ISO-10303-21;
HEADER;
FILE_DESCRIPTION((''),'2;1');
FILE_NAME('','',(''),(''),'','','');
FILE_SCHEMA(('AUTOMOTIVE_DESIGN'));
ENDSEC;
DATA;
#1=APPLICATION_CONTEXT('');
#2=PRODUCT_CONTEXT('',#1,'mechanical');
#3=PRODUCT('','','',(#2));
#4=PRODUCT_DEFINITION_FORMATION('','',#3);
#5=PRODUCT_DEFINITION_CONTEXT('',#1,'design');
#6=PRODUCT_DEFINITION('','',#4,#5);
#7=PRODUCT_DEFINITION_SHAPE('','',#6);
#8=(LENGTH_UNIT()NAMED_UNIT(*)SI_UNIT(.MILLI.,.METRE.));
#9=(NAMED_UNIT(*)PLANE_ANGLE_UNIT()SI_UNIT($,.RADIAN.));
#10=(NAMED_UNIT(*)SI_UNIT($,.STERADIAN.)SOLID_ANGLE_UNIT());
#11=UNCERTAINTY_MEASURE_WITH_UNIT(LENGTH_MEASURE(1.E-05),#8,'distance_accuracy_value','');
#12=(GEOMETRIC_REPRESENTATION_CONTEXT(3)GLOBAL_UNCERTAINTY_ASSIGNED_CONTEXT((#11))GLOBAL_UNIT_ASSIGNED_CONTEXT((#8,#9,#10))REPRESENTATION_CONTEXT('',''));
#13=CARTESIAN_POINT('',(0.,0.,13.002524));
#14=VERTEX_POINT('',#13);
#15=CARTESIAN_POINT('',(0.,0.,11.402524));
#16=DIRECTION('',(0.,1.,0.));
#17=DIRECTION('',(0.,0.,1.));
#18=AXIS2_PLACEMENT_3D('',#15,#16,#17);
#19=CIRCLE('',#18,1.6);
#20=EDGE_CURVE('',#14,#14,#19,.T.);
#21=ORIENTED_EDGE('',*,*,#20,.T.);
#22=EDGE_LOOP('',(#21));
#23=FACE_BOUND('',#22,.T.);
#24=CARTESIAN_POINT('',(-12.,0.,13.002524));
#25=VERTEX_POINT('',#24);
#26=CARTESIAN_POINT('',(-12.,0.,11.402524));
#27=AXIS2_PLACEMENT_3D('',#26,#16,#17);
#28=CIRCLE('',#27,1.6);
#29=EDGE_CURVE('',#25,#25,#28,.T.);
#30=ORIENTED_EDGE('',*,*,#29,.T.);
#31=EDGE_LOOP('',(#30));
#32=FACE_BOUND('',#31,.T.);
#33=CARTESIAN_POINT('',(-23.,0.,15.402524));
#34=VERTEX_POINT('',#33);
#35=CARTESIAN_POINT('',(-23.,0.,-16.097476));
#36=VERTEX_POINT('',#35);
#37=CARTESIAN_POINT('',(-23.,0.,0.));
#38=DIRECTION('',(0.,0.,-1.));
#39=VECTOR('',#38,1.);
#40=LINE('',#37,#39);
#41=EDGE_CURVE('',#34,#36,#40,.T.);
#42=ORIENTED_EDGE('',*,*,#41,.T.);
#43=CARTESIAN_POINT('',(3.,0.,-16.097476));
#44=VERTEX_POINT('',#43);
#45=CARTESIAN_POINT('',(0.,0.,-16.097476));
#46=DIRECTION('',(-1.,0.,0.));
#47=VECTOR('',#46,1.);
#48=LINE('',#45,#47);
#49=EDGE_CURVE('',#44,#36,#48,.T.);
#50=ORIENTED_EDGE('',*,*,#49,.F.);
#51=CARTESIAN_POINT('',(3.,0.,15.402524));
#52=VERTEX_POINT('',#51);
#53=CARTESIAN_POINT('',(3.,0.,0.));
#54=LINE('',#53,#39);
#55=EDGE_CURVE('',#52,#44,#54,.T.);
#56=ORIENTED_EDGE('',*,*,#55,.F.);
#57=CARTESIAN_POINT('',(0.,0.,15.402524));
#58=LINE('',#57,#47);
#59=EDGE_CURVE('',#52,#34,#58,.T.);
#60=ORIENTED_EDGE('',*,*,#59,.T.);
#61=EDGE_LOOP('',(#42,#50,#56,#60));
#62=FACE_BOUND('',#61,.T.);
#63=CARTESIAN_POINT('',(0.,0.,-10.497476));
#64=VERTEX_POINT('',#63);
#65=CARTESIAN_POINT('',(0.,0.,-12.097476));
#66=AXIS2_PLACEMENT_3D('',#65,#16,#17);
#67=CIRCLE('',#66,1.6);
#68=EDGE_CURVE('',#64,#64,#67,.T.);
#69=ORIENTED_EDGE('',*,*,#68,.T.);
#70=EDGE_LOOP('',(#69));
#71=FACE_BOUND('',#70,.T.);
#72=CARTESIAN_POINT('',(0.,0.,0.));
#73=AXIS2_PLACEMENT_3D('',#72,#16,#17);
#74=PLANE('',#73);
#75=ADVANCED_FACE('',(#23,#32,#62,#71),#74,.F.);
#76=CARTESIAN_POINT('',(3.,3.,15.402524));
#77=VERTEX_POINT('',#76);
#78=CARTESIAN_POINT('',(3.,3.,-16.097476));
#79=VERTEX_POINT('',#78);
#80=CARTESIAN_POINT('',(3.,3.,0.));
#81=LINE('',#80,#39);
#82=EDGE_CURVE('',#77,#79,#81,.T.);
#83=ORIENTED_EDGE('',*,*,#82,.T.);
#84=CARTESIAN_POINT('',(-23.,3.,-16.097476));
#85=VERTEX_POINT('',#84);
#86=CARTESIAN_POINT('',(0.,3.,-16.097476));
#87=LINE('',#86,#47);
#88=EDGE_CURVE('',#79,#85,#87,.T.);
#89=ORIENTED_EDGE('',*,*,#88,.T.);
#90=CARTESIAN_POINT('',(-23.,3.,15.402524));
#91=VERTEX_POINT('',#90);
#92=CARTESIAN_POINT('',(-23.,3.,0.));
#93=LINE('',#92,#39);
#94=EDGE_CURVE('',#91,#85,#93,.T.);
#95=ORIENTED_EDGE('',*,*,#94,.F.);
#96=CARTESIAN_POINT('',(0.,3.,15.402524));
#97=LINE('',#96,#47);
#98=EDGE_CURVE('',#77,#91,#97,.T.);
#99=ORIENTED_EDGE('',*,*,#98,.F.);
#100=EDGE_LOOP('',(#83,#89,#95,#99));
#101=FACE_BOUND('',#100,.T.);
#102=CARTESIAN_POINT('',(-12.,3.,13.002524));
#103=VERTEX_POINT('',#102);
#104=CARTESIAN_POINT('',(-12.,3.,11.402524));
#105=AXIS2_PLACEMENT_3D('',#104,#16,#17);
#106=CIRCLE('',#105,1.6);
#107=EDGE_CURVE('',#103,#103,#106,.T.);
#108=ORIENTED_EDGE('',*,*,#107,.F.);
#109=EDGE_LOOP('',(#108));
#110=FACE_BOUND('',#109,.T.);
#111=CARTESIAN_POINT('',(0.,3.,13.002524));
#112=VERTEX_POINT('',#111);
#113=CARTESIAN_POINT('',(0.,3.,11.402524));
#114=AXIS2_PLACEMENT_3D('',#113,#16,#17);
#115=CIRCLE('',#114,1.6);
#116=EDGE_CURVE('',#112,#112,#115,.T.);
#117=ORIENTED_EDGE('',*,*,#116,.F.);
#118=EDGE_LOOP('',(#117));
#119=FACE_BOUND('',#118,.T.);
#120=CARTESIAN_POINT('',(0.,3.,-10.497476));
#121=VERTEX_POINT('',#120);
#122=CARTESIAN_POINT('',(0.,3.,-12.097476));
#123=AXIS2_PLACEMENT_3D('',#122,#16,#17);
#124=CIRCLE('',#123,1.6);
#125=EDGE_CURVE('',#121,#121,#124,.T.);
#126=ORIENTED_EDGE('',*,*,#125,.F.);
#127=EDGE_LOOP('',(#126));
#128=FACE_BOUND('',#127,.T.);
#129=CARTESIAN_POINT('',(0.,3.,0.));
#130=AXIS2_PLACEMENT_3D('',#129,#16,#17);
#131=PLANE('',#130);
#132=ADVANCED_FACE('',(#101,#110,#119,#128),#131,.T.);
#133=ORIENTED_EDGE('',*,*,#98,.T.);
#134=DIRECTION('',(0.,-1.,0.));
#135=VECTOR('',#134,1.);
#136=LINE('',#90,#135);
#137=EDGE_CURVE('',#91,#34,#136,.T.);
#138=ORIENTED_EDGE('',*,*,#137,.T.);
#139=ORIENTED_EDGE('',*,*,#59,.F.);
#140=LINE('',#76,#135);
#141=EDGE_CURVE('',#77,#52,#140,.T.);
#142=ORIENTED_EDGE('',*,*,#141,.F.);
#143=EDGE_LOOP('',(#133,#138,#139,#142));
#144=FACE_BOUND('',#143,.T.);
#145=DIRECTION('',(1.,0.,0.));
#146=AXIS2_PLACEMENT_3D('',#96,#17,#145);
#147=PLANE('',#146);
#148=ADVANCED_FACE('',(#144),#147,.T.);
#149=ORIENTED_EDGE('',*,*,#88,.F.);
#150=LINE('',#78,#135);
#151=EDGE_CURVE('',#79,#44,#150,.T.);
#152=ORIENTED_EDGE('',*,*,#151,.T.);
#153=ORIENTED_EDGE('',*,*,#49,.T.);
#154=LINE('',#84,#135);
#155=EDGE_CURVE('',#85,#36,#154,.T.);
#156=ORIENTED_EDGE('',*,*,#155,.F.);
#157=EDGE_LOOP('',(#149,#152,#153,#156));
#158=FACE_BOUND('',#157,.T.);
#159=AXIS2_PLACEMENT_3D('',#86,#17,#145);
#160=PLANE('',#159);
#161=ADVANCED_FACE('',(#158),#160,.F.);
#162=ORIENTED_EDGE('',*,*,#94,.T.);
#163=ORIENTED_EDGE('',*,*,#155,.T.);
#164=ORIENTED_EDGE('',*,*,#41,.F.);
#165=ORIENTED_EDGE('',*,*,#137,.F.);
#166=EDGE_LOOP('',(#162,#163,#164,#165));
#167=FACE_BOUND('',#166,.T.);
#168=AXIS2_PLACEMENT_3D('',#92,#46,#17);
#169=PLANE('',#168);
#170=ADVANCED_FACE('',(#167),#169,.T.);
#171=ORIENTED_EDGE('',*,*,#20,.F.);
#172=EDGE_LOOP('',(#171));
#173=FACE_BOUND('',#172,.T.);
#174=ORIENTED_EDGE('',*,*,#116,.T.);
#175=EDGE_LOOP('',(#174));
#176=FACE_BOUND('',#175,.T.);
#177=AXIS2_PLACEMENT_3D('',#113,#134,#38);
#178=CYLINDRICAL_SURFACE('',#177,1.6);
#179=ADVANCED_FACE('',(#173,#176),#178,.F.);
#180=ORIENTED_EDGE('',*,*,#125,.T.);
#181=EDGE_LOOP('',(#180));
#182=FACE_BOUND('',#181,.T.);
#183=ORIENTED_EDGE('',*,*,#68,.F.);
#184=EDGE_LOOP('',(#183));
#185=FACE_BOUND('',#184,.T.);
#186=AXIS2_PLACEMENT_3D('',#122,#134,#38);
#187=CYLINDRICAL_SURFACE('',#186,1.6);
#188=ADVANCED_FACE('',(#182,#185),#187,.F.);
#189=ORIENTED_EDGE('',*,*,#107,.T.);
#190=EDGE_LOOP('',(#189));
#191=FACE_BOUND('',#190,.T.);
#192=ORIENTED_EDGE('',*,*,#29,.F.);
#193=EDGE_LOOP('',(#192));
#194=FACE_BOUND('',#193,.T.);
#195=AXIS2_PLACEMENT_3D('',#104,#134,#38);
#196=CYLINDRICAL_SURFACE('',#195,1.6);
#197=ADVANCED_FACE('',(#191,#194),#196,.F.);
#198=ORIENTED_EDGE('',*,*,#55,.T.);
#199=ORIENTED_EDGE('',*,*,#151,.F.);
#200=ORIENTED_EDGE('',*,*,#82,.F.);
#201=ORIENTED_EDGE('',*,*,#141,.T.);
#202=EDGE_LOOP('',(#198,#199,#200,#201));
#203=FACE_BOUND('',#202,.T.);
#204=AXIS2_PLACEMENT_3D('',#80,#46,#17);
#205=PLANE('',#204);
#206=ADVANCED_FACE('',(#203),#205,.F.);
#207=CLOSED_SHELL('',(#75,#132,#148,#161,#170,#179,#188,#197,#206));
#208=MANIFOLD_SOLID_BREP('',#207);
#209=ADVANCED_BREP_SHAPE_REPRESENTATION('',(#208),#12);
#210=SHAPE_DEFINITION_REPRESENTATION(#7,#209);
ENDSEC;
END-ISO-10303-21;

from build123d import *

# Parameters (mm, degrees)
SKETCH1_W           = 26
SKETCH1_H           = 31.5
SKETCH1_R           = 1.6
BOSS_EXTRUDE1_DEPTH = 3


with BuildPart() as part:
    # Sketch1 → Boss-Extrude1 (new body)
    with BuildSketch(Plane(origin=(0, 0, 0), x_dir=(1, 0, 0), z_dir=(0, 1, 0))):
        with Locations((-10, 0.347475968)):
            Rectangle(SKETCH1_W, SKETCH1_H)
        with Locations(Location((0, 12.097475968, 0), (0, 0, 270))):
            Circle(SKETCH1_R, mode=Mode.SUBTRACT)
        with Locations(Location((0, -11.402524032, 0), (0, 0, 270))):
            Circle(SKETCH1_R, mode=Mode.SUBTRACT)
        with Locations(Location((-12, -11.402524032, 0), (0, 0, 270))):
            Circle(SKETCH1_R, mode=Mode.SUBTRACT)
    extrude(amount=BOSS_EXTRUDE1_DEPTH)


solid = part.part
